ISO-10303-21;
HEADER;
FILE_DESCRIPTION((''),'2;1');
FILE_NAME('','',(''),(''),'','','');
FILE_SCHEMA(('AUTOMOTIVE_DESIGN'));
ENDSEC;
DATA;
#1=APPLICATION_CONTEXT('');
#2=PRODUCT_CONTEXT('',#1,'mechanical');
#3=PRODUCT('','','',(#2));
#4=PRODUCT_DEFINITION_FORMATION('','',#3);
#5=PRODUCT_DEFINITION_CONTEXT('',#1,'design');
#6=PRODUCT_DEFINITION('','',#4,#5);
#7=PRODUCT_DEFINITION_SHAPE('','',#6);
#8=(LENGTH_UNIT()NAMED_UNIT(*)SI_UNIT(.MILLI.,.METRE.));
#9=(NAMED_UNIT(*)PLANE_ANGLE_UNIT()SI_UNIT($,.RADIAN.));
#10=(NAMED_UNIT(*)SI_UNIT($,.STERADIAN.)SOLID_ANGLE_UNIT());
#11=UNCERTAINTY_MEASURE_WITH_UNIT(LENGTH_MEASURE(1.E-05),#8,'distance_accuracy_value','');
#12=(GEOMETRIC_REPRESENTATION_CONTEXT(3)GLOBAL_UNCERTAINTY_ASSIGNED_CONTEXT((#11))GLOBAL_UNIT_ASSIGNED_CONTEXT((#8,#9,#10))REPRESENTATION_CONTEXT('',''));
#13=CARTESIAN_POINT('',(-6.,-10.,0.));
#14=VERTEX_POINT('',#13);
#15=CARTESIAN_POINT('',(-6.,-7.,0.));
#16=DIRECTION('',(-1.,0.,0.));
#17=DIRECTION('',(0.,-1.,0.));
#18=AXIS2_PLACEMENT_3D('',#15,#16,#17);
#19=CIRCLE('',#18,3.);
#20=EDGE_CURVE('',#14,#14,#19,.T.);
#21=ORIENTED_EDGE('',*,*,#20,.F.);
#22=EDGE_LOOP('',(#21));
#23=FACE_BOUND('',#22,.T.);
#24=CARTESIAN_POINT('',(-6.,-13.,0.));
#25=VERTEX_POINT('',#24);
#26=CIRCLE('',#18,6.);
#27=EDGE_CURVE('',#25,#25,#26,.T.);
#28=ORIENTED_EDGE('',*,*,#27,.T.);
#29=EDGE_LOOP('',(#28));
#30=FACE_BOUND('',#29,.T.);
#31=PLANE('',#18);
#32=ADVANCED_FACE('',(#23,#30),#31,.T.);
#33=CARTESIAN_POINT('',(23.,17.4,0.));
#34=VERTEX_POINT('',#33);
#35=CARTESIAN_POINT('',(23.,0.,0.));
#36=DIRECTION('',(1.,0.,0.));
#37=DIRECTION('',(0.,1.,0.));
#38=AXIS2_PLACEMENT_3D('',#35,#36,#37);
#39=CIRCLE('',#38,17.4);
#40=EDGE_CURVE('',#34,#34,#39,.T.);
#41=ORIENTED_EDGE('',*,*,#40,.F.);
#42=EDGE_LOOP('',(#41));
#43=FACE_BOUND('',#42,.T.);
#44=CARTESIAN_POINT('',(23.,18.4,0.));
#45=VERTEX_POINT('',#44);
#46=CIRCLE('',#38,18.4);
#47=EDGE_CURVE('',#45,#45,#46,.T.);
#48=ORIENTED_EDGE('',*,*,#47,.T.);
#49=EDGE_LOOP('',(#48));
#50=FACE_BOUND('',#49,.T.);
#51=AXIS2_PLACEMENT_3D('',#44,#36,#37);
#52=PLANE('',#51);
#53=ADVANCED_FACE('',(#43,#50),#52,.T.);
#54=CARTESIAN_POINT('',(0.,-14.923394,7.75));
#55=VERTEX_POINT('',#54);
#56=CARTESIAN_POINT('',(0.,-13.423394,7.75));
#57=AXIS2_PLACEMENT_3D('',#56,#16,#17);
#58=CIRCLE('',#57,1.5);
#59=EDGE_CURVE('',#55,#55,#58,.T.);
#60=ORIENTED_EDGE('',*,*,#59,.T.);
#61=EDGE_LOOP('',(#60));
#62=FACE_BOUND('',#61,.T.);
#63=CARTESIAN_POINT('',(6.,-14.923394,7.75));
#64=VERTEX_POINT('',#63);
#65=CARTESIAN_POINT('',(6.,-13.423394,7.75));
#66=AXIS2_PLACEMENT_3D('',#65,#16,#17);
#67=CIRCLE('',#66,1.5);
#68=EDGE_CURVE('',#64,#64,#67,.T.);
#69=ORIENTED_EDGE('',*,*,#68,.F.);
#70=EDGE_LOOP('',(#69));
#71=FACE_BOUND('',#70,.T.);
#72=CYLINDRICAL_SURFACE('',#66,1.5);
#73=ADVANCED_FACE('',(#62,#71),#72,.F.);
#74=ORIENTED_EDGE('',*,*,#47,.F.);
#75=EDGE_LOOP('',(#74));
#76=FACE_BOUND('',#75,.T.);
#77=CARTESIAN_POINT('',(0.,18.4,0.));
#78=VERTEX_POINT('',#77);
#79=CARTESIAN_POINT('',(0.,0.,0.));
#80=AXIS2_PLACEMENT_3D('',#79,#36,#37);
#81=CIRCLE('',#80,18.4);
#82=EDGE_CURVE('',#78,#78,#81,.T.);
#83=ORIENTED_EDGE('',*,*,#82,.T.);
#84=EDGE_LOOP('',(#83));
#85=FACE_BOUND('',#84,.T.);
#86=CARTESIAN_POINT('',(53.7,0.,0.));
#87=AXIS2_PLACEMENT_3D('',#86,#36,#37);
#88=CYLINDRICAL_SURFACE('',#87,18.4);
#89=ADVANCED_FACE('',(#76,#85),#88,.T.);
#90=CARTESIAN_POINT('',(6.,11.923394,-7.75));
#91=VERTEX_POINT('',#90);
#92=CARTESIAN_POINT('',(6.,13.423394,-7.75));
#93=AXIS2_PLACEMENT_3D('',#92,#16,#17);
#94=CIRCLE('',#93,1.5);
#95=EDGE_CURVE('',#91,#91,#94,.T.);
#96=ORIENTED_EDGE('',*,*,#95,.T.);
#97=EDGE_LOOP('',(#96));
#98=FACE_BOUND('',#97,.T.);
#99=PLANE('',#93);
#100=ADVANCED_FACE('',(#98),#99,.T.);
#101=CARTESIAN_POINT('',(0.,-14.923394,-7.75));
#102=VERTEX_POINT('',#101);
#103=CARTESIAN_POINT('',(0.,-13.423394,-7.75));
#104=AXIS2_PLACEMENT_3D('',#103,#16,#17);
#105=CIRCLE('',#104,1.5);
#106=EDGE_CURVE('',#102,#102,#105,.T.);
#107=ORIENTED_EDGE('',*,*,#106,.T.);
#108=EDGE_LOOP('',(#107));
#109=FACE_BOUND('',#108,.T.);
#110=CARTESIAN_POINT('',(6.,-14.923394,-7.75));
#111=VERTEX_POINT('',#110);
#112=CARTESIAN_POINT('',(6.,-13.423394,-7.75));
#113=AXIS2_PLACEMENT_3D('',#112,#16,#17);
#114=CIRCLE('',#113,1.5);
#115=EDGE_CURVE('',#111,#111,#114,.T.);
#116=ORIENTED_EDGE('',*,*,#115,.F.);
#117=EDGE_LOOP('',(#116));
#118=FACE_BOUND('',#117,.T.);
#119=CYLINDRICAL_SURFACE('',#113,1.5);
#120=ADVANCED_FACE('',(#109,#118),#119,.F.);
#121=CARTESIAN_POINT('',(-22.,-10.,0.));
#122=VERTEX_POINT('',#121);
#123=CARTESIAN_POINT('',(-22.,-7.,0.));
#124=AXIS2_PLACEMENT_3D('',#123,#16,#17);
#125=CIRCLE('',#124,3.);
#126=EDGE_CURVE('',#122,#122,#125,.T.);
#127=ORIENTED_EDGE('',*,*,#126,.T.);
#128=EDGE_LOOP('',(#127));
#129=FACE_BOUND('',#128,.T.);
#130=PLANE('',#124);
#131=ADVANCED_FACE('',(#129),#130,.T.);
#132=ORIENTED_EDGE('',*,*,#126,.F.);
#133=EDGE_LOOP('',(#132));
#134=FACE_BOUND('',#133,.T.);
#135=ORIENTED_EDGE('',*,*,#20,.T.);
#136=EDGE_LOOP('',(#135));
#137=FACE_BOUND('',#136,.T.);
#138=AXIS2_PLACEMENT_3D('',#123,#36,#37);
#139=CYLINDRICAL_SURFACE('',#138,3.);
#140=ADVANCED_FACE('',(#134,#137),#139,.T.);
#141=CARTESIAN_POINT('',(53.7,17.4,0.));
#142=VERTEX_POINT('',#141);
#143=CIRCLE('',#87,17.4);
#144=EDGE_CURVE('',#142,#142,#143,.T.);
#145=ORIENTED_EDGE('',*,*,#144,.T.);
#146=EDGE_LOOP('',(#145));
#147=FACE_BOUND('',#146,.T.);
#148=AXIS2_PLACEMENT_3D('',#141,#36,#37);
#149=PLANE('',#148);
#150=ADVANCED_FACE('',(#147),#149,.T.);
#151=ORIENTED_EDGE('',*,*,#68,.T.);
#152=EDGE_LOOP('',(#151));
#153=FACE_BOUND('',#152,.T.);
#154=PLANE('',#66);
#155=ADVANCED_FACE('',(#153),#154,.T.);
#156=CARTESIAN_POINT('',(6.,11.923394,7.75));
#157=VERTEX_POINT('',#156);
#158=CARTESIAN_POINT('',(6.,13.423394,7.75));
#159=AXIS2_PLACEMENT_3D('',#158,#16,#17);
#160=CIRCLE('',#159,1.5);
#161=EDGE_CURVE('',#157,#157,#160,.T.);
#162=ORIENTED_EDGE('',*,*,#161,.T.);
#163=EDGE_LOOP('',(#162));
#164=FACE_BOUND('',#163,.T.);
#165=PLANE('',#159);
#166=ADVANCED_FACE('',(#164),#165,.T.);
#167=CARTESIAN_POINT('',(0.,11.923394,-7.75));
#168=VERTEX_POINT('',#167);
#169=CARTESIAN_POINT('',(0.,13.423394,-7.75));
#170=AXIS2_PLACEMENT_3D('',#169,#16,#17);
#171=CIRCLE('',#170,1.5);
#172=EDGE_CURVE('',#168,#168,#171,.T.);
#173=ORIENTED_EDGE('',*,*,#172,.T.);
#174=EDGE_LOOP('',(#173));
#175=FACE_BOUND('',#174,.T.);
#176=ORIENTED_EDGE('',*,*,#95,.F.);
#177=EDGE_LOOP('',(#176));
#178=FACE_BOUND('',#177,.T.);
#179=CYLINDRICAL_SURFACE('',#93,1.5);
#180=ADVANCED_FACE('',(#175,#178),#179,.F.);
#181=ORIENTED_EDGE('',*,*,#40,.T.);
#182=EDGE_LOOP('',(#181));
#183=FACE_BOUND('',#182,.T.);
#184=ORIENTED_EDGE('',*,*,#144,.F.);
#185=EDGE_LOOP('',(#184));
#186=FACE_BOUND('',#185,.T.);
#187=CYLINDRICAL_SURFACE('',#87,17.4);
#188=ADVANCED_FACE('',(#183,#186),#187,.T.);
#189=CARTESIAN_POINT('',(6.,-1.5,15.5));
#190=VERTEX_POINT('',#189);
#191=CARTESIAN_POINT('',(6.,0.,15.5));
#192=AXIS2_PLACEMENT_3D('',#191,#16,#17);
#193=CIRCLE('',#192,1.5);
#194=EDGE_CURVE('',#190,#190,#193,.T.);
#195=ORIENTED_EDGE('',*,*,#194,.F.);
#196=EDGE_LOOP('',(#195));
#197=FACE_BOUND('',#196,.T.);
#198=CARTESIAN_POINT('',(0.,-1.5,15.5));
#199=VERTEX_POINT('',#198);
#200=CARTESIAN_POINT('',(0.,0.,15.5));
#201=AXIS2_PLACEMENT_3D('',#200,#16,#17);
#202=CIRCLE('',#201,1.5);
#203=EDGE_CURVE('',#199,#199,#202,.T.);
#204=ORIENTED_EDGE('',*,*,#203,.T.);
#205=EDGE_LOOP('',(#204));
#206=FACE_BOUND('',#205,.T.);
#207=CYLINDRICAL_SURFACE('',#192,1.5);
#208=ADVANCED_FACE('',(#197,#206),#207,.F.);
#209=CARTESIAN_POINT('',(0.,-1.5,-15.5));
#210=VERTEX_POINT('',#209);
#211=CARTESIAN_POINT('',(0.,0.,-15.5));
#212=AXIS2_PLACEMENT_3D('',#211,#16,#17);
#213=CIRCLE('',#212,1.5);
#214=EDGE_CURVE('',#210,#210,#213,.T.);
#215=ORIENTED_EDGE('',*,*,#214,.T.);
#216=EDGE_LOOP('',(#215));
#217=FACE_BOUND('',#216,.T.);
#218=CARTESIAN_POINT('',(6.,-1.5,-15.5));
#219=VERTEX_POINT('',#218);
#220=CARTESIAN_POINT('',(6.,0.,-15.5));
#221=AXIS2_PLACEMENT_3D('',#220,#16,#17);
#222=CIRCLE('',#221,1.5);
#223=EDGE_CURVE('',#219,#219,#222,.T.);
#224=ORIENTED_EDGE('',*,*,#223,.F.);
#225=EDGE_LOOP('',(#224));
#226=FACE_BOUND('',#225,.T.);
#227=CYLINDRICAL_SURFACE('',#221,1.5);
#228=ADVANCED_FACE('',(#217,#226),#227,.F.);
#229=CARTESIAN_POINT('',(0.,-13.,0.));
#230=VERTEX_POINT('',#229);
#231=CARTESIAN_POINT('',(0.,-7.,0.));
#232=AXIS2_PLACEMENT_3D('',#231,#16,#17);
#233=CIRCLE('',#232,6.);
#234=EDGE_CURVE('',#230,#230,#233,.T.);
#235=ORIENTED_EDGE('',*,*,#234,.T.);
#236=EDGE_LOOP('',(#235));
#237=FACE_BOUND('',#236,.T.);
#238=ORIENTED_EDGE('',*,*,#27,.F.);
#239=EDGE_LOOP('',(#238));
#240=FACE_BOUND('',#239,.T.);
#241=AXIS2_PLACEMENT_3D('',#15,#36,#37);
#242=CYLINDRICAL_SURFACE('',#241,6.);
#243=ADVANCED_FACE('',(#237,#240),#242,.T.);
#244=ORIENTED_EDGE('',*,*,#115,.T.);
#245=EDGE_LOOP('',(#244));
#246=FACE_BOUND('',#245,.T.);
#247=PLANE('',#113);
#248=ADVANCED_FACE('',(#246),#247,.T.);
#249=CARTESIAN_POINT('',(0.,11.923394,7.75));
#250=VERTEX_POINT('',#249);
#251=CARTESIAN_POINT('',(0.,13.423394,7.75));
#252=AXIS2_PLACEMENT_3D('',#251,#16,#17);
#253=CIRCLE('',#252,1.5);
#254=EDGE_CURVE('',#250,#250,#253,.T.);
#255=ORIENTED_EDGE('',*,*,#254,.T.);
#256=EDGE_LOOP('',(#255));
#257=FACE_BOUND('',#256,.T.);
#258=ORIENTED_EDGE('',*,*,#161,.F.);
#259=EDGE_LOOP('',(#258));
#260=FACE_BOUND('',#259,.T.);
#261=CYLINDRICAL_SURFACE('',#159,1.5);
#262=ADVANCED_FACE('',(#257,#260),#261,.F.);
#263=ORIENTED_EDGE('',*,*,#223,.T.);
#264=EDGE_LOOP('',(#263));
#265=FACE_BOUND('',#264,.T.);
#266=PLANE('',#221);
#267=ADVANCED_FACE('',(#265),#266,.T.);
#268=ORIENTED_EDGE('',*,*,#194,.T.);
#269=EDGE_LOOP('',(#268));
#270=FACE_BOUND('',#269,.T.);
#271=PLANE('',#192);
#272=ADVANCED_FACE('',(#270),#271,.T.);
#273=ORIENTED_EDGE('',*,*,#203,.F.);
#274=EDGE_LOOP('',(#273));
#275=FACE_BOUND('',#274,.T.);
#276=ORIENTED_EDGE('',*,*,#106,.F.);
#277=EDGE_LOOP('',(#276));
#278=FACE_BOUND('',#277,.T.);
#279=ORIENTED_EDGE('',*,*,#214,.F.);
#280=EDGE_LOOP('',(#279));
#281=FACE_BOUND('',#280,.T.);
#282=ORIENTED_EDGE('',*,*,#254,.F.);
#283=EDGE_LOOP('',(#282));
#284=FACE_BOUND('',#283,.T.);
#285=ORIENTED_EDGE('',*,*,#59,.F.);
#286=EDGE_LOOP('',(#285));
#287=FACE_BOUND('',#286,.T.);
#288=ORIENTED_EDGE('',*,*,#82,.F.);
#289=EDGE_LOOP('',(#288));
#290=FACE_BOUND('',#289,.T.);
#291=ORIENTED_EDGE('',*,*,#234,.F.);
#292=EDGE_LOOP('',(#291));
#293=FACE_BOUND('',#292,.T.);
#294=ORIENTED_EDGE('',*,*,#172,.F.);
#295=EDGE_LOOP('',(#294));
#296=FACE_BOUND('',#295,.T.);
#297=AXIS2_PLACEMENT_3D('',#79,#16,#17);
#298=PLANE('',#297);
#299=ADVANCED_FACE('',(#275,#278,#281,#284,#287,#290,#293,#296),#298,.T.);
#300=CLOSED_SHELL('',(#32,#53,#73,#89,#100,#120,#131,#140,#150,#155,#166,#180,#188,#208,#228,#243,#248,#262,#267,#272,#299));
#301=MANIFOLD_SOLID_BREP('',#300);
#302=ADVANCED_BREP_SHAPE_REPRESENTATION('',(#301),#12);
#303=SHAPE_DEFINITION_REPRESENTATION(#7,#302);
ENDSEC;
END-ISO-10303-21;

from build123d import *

# Parameters (mm, degrees)
SKETCH3_R           = 3
BOSS_EXTRUDE1_DEPTH = 22
SKETCH3_3_R         = 6
BOSS_EXTRUDE2_DEPTH = 6
SKETCH4_R           = 1.5
CUT_EXTRUDE1_DEPTH  = 6


with BuildPart() as part:
    # Sketch2 → Revolve1 (revolve)
    with BuildSketch(Plane.XY):
        Polygon((0, 0), (0, 18.4), (23, 18.4), (23, 17.4), (53.7, 17.4), (53.7, 0), align=None)
    revolve(axis=Axis((53.7, 0, 0), (-1, 0, 0)))

    # Sketch3 → Boss-Extrude1 (add)
    with BuildSketch(Plane.ZY):
        with Locations((0, -7)):
            Circle(SKETCH3_R)
    extrude(amount=BOSS_EXTRUDE1_DEPTH)

    # Sketch3<3> → Boss-Extrude2 (add)
    with BuildSketch(Plane.ZY):
        with Locations((0, -7)):
            Circle(SKETCH3_3_R)
    extrude(amount=BOSS_EXTRUDE2_DEPTH)

    # Sketch4 → Cut-Extrude1 (cut)
    with BuildSketch(Plane.ZY):
        with Locations((15.5, 0)):
            Circle(SKETCH4_R)
        with Locations((7.75, -13.423393759)):
            Circle(SKETCH4_R)
        with Locations((-7.75, -13.423393759)):
            Circle(SKETCH4_R)
        with Locations((-15.5, 0)):
            Circle(SKETCH4_R)
        with Locations((-7.75, 13.423393759)):
            Circle(SKETCH4_R)
        with Locations((7.75, 13.423393759)):
            Circle(SKETCH4_R)
    extrude(amount=-CUT_EXTRUDE1_DEPTH, mode=Mode.SUBTRACT)


solid = part.part
